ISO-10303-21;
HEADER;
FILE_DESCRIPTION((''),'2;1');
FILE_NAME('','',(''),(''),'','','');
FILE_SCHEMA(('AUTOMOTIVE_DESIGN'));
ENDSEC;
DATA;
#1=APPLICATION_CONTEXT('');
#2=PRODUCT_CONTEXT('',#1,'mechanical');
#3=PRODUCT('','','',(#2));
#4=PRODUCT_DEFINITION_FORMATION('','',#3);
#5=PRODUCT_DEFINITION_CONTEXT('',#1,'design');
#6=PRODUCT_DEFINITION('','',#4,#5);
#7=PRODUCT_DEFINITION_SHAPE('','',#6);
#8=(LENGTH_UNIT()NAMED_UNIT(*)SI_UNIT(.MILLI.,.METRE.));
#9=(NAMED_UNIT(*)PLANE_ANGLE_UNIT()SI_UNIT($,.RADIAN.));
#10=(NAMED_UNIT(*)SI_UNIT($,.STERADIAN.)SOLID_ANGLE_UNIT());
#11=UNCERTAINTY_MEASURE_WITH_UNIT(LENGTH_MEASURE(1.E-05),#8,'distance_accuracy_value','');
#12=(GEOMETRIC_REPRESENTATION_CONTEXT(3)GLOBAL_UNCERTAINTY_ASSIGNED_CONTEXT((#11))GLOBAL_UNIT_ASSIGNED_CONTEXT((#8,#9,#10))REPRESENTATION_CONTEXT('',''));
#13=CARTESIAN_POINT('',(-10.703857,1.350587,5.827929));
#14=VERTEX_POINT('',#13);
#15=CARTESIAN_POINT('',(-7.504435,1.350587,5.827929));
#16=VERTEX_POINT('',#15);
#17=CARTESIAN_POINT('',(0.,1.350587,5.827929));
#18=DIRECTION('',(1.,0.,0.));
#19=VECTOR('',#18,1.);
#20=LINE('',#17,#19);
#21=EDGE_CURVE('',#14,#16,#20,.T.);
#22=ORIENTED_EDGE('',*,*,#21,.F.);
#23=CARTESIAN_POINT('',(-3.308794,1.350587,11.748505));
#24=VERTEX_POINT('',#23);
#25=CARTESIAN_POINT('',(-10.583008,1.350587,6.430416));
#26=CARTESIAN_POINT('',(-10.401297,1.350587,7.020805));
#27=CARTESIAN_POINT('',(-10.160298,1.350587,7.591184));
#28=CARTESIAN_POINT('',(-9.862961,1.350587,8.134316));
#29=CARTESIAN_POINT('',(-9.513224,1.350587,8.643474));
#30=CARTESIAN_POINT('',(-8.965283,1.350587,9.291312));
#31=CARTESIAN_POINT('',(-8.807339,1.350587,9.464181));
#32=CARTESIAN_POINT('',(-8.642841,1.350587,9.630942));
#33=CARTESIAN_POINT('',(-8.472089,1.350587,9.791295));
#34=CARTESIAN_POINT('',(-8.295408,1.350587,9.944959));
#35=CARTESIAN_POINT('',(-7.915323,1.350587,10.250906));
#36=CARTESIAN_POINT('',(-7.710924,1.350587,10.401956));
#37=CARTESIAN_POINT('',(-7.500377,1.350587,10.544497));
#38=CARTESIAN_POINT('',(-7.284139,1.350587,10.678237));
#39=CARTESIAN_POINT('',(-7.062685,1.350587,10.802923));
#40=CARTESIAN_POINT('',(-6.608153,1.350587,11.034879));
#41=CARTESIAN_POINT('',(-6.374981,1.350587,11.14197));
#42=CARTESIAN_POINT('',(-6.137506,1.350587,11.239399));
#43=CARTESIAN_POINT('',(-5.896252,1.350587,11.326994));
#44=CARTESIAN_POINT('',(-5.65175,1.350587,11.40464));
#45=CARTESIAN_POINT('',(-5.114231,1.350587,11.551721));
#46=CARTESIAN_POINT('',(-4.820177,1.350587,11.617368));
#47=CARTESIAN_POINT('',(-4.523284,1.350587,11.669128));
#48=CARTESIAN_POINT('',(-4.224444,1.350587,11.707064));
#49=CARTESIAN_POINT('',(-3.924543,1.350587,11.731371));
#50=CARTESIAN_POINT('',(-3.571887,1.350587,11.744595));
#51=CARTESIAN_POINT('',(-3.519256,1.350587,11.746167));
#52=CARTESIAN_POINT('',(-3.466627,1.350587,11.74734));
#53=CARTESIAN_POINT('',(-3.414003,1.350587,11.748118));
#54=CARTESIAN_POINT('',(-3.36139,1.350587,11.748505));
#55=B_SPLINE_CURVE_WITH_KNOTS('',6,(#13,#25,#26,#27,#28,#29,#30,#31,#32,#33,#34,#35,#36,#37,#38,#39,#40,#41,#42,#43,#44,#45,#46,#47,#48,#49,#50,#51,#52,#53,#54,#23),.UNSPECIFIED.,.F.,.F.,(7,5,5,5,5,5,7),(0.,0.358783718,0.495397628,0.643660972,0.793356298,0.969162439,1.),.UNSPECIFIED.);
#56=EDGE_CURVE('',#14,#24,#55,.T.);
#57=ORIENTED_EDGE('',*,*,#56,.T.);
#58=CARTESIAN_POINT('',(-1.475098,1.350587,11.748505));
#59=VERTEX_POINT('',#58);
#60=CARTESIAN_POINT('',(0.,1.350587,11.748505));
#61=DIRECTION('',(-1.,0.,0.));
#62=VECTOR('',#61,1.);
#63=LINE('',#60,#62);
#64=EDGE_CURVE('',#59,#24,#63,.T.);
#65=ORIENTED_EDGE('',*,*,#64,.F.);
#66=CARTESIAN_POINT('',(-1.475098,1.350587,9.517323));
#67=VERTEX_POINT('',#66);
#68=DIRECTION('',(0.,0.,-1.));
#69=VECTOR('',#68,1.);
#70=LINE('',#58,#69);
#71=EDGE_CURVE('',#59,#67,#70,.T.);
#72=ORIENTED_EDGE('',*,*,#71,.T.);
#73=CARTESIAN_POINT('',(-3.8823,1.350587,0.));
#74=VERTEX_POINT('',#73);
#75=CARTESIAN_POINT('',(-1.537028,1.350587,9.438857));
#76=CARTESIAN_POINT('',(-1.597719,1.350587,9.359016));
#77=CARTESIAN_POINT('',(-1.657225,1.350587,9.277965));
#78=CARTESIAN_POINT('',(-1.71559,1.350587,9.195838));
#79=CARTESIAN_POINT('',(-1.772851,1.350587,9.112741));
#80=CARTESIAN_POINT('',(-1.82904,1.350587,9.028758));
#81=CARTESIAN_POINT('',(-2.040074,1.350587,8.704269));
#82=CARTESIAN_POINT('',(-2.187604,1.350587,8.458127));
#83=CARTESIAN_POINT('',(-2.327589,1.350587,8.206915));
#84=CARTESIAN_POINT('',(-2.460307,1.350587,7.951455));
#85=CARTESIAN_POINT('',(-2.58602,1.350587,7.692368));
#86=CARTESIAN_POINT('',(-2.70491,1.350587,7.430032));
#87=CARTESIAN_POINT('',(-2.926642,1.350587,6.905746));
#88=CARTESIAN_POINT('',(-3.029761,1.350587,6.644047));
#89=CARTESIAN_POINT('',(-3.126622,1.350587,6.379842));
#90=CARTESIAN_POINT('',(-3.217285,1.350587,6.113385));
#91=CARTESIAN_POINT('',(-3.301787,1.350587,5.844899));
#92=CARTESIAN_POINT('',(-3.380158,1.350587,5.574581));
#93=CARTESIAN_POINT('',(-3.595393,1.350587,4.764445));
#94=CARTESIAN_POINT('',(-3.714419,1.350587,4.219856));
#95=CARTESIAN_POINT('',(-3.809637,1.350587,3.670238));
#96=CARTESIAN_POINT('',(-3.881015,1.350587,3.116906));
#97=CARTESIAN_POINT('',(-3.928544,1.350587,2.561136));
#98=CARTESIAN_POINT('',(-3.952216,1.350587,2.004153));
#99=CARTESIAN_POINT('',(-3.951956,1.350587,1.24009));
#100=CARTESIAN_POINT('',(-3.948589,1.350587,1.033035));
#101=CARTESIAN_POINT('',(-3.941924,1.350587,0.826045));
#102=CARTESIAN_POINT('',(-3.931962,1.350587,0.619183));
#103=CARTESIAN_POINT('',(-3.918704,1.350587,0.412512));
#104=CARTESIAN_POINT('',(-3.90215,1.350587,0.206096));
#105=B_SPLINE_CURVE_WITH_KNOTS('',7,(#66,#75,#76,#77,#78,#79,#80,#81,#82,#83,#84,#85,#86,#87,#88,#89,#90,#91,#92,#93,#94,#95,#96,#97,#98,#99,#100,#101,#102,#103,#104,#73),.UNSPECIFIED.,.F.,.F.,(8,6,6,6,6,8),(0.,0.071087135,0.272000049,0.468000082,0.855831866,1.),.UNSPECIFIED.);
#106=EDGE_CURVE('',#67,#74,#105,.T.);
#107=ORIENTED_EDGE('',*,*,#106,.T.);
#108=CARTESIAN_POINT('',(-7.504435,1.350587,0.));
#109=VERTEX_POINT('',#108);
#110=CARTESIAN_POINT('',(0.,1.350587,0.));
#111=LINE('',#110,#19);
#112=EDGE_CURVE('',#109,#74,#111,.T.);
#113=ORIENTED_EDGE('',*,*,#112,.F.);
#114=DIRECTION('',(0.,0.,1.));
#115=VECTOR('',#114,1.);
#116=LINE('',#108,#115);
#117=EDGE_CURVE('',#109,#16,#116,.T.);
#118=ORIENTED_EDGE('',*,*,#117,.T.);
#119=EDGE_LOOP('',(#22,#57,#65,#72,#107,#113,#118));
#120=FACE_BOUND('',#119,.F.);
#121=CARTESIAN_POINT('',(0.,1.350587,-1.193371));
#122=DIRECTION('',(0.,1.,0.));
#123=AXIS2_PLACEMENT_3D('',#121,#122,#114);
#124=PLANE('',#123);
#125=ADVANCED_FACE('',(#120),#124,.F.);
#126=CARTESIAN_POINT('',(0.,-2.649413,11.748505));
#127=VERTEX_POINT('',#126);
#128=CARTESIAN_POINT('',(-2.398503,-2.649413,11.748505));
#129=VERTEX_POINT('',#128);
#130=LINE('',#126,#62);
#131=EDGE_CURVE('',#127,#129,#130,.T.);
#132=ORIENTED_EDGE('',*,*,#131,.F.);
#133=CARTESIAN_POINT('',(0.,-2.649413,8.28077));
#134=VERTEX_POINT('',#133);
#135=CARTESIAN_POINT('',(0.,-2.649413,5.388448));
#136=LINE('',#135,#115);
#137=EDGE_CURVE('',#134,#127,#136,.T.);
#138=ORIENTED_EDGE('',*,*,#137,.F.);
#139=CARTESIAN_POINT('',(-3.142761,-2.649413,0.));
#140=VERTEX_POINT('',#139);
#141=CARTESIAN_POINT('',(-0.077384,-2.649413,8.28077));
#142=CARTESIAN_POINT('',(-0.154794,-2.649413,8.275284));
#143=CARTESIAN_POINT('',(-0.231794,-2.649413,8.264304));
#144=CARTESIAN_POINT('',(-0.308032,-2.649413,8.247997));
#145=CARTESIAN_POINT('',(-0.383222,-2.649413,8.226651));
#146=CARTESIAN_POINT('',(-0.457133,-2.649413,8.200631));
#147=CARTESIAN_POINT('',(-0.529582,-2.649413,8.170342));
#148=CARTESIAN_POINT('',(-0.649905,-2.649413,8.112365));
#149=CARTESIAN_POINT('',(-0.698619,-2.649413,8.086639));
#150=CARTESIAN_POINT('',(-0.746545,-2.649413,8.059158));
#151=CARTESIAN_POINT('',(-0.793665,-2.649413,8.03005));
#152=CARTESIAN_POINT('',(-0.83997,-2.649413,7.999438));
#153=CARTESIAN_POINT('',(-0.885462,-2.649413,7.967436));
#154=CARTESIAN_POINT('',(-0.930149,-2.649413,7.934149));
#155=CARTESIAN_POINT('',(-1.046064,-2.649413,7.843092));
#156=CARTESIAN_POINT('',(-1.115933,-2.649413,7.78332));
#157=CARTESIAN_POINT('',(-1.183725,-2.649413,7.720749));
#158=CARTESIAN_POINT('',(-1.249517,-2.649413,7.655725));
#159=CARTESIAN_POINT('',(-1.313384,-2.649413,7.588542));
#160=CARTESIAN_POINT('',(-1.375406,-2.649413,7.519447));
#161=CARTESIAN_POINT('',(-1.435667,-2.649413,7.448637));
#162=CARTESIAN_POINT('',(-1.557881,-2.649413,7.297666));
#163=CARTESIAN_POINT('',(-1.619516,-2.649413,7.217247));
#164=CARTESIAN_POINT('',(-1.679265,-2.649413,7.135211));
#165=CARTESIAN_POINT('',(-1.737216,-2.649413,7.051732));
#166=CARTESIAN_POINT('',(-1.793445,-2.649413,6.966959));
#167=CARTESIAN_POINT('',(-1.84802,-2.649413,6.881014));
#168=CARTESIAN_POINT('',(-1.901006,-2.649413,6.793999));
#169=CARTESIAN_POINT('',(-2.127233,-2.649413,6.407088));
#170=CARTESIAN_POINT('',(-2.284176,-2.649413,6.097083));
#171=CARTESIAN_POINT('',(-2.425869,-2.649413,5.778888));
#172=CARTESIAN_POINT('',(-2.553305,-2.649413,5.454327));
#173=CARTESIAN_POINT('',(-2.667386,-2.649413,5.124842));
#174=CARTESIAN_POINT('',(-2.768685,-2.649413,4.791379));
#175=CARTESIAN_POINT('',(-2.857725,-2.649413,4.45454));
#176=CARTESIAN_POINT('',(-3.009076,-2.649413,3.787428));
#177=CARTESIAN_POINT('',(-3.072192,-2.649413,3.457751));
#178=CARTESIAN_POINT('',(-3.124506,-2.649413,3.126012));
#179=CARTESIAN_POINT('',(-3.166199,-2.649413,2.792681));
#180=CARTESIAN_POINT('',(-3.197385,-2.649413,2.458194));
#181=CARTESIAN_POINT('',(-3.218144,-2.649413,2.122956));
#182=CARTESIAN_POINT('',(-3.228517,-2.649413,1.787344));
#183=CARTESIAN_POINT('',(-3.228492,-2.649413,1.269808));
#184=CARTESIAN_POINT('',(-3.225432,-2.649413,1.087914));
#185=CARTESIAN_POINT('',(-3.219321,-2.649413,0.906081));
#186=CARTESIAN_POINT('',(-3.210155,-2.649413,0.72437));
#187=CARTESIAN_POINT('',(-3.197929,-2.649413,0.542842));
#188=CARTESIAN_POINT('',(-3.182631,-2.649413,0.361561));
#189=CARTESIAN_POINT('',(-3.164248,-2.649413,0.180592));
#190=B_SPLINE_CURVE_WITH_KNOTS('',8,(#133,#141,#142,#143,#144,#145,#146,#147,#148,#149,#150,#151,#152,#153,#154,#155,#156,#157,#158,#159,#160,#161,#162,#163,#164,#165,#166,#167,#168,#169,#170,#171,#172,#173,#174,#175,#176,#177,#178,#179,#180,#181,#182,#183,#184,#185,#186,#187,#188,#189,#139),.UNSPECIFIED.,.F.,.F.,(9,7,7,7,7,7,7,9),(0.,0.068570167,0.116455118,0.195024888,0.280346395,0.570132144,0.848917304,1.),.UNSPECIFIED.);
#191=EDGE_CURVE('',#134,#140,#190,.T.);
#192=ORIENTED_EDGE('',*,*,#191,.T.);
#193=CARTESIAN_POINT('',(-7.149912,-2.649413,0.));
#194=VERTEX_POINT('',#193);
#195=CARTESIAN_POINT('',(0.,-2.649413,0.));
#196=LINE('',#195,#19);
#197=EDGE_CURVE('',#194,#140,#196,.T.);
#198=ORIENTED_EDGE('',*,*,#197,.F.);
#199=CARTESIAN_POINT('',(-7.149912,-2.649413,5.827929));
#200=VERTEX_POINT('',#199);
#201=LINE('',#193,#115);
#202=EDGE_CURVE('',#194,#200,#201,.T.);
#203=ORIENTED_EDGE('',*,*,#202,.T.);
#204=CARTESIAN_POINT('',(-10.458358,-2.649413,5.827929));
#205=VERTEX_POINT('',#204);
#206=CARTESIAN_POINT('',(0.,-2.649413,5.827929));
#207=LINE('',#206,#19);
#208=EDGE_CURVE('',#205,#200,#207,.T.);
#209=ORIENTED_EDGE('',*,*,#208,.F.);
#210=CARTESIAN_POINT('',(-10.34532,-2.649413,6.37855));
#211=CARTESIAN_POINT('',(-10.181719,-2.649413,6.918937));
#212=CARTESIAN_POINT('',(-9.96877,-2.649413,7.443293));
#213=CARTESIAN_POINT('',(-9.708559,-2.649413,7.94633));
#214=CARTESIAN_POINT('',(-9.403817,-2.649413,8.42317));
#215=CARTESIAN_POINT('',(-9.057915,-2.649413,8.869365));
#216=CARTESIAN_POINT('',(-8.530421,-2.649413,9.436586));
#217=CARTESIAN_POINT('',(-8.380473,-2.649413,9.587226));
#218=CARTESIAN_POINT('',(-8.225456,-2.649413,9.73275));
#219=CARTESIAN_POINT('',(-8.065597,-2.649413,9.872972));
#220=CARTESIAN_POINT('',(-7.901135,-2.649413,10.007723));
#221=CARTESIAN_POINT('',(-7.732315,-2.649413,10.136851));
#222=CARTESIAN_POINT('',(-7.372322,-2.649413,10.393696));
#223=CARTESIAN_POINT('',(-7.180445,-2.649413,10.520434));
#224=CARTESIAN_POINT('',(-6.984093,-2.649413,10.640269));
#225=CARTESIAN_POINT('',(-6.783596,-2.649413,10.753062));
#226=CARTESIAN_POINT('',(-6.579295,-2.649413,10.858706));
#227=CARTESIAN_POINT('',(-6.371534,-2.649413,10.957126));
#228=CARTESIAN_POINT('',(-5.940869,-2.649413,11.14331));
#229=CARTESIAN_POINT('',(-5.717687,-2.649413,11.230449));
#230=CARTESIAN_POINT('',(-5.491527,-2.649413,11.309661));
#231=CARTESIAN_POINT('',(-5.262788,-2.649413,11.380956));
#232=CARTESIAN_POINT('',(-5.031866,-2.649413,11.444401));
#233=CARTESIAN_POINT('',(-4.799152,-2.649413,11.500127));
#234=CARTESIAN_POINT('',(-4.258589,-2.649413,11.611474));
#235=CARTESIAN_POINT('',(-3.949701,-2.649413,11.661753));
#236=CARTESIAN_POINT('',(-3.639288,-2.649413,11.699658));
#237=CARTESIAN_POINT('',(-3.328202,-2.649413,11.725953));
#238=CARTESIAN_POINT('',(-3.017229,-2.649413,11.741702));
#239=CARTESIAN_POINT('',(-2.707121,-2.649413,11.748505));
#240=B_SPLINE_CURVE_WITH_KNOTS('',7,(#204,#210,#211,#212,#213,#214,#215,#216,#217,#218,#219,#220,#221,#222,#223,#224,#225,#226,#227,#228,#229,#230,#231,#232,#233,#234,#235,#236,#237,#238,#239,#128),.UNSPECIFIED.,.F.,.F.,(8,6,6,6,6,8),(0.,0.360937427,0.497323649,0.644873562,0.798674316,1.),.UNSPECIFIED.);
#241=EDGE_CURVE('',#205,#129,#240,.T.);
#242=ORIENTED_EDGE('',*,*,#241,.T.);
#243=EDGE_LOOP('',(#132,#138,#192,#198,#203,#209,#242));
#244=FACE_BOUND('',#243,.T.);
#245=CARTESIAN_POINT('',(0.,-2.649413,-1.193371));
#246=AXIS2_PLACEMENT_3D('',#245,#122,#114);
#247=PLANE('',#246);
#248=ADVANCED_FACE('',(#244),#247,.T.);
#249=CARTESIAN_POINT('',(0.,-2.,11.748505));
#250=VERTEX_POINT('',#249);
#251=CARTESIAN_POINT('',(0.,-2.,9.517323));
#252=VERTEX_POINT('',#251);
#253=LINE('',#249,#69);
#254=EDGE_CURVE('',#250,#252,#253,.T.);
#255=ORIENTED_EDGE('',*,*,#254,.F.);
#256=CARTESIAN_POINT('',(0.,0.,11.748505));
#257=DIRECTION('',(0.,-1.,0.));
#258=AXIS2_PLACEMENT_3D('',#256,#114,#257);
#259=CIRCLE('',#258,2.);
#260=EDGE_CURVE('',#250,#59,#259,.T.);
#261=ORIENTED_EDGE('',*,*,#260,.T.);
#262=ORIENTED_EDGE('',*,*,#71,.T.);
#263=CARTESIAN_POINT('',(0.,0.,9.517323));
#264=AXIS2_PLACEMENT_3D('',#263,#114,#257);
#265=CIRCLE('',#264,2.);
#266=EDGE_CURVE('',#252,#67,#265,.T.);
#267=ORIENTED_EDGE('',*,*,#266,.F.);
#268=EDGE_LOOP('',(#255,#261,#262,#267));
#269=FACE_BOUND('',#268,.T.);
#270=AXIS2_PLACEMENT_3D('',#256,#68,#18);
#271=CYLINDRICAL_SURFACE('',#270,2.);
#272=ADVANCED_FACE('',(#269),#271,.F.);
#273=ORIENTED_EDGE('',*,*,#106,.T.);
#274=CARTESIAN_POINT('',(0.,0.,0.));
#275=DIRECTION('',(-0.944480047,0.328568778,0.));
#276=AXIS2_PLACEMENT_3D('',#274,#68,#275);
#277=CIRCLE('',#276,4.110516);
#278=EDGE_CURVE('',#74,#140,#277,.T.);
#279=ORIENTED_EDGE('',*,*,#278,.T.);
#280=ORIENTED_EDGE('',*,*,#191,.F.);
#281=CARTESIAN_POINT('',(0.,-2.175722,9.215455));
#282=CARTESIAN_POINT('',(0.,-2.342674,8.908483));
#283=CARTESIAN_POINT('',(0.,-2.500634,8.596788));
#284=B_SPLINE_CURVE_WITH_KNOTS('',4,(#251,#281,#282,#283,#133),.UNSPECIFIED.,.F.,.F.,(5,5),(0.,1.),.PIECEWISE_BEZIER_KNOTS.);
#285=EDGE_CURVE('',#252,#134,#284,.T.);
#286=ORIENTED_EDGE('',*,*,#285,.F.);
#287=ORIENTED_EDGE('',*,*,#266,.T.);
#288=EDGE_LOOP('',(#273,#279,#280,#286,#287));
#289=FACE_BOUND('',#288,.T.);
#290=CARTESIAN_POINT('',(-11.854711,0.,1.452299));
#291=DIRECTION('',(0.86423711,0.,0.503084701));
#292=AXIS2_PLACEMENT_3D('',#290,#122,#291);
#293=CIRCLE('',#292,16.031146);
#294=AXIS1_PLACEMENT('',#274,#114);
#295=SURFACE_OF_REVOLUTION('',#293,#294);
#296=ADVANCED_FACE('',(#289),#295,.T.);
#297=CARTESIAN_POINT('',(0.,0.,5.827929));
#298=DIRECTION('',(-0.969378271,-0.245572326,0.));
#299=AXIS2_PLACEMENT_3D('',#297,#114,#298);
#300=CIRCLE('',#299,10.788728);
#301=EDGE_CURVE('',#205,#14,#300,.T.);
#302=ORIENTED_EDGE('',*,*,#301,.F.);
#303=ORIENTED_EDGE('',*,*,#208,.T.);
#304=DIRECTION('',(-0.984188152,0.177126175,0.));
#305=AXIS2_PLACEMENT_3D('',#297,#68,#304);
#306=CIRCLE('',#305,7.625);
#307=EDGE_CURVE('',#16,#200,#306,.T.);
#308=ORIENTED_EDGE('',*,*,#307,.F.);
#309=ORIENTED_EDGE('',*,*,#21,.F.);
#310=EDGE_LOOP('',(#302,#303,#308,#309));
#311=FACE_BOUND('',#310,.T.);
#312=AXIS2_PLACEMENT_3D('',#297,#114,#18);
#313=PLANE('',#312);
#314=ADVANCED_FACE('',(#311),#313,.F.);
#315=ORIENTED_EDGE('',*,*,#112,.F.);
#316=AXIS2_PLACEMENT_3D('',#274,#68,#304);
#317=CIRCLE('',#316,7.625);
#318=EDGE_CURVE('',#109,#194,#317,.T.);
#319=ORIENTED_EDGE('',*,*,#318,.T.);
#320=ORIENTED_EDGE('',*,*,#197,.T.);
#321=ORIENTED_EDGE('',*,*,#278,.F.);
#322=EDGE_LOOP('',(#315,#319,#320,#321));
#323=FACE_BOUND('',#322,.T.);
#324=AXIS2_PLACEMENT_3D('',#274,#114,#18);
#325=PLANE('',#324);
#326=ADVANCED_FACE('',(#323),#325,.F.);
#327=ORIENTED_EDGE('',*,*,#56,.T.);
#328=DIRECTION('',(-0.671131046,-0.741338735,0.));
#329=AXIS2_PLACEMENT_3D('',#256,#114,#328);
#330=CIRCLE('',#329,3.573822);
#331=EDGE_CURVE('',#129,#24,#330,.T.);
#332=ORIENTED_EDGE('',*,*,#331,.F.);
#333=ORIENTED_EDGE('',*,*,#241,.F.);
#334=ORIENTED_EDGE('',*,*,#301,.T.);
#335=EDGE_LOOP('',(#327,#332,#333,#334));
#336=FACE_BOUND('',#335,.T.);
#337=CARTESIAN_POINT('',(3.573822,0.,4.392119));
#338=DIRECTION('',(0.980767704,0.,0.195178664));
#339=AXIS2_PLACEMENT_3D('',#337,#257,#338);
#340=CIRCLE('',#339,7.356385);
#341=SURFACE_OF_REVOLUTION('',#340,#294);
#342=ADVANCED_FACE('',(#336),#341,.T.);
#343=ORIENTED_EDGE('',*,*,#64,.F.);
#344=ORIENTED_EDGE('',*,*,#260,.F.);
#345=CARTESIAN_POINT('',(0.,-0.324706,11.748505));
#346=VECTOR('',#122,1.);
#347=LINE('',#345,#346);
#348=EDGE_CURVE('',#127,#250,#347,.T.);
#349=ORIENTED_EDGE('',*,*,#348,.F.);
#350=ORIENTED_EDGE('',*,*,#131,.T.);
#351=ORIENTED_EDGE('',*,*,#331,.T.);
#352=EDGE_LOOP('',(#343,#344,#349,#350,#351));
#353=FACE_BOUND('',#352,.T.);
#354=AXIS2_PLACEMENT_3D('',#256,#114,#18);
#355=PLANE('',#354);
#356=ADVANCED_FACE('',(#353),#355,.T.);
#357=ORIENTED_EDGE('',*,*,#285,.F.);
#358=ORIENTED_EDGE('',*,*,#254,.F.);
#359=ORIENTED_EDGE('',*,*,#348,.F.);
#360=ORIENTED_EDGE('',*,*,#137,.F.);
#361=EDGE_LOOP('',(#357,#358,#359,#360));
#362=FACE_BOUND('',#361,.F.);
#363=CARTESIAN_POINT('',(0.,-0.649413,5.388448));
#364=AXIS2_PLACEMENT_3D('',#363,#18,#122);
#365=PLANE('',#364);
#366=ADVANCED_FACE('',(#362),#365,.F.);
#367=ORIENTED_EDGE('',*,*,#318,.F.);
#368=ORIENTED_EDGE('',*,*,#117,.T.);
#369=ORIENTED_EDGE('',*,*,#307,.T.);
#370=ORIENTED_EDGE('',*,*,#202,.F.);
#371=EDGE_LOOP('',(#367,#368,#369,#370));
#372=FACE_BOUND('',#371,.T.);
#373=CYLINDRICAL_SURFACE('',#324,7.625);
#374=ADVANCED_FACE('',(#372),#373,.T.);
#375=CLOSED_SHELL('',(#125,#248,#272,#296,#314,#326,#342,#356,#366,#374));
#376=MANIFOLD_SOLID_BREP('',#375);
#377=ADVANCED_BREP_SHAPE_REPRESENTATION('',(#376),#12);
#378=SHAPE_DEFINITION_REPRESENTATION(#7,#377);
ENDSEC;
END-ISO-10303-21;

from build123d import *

# Parameters (mm, degrees)
F3_W     = 4
F3_H     = 13.1636379468
F4_DEPTH = 10.7897276517


with BuildPart() as f2:
    # F1 (on Front) → F2 (revolve)
    with BuildSketch(Plane.XZ):
        with BuildLine():
            ThreePointArc((2, 9.5173232257), (3.7962324027, 4.9229765601), (4.1105155833, 0))
            Line((4.1105155833, 0), (6.425, 0))
            Line((6.425, 0), (7.625, 0))
            Line((7.625, 0), (7.625, 5.8279288933))
            Line((7.625, 5.8279288933), (10.7887275517, 5.8279288933))
            ThreePointArc((10.7887275517, 5.8279288933), (8.2404077135, 10.0788924102), (3.5738223232, 11.7485048249))
            Line((3.5738223232, 11.7485048249), (2, 11.7485048249))
            Line((2, 11.7485048249), (2, 9.5173232257))
        make_face()
    revolve(axis=Axis((0, 0, 0), (0, 0, 1)))

    # F3 (on Right) → F4 (cut, through all)
    with BuildSketch(Plane.YZ):
        with Locations((-0.6494129193, 5.3884481313)):
            Rectangle(F3_W, F3_H)
    extrude(amount=-F4_DEPTH, mode=Mode.SUBTRACT)


solid = f2.part
